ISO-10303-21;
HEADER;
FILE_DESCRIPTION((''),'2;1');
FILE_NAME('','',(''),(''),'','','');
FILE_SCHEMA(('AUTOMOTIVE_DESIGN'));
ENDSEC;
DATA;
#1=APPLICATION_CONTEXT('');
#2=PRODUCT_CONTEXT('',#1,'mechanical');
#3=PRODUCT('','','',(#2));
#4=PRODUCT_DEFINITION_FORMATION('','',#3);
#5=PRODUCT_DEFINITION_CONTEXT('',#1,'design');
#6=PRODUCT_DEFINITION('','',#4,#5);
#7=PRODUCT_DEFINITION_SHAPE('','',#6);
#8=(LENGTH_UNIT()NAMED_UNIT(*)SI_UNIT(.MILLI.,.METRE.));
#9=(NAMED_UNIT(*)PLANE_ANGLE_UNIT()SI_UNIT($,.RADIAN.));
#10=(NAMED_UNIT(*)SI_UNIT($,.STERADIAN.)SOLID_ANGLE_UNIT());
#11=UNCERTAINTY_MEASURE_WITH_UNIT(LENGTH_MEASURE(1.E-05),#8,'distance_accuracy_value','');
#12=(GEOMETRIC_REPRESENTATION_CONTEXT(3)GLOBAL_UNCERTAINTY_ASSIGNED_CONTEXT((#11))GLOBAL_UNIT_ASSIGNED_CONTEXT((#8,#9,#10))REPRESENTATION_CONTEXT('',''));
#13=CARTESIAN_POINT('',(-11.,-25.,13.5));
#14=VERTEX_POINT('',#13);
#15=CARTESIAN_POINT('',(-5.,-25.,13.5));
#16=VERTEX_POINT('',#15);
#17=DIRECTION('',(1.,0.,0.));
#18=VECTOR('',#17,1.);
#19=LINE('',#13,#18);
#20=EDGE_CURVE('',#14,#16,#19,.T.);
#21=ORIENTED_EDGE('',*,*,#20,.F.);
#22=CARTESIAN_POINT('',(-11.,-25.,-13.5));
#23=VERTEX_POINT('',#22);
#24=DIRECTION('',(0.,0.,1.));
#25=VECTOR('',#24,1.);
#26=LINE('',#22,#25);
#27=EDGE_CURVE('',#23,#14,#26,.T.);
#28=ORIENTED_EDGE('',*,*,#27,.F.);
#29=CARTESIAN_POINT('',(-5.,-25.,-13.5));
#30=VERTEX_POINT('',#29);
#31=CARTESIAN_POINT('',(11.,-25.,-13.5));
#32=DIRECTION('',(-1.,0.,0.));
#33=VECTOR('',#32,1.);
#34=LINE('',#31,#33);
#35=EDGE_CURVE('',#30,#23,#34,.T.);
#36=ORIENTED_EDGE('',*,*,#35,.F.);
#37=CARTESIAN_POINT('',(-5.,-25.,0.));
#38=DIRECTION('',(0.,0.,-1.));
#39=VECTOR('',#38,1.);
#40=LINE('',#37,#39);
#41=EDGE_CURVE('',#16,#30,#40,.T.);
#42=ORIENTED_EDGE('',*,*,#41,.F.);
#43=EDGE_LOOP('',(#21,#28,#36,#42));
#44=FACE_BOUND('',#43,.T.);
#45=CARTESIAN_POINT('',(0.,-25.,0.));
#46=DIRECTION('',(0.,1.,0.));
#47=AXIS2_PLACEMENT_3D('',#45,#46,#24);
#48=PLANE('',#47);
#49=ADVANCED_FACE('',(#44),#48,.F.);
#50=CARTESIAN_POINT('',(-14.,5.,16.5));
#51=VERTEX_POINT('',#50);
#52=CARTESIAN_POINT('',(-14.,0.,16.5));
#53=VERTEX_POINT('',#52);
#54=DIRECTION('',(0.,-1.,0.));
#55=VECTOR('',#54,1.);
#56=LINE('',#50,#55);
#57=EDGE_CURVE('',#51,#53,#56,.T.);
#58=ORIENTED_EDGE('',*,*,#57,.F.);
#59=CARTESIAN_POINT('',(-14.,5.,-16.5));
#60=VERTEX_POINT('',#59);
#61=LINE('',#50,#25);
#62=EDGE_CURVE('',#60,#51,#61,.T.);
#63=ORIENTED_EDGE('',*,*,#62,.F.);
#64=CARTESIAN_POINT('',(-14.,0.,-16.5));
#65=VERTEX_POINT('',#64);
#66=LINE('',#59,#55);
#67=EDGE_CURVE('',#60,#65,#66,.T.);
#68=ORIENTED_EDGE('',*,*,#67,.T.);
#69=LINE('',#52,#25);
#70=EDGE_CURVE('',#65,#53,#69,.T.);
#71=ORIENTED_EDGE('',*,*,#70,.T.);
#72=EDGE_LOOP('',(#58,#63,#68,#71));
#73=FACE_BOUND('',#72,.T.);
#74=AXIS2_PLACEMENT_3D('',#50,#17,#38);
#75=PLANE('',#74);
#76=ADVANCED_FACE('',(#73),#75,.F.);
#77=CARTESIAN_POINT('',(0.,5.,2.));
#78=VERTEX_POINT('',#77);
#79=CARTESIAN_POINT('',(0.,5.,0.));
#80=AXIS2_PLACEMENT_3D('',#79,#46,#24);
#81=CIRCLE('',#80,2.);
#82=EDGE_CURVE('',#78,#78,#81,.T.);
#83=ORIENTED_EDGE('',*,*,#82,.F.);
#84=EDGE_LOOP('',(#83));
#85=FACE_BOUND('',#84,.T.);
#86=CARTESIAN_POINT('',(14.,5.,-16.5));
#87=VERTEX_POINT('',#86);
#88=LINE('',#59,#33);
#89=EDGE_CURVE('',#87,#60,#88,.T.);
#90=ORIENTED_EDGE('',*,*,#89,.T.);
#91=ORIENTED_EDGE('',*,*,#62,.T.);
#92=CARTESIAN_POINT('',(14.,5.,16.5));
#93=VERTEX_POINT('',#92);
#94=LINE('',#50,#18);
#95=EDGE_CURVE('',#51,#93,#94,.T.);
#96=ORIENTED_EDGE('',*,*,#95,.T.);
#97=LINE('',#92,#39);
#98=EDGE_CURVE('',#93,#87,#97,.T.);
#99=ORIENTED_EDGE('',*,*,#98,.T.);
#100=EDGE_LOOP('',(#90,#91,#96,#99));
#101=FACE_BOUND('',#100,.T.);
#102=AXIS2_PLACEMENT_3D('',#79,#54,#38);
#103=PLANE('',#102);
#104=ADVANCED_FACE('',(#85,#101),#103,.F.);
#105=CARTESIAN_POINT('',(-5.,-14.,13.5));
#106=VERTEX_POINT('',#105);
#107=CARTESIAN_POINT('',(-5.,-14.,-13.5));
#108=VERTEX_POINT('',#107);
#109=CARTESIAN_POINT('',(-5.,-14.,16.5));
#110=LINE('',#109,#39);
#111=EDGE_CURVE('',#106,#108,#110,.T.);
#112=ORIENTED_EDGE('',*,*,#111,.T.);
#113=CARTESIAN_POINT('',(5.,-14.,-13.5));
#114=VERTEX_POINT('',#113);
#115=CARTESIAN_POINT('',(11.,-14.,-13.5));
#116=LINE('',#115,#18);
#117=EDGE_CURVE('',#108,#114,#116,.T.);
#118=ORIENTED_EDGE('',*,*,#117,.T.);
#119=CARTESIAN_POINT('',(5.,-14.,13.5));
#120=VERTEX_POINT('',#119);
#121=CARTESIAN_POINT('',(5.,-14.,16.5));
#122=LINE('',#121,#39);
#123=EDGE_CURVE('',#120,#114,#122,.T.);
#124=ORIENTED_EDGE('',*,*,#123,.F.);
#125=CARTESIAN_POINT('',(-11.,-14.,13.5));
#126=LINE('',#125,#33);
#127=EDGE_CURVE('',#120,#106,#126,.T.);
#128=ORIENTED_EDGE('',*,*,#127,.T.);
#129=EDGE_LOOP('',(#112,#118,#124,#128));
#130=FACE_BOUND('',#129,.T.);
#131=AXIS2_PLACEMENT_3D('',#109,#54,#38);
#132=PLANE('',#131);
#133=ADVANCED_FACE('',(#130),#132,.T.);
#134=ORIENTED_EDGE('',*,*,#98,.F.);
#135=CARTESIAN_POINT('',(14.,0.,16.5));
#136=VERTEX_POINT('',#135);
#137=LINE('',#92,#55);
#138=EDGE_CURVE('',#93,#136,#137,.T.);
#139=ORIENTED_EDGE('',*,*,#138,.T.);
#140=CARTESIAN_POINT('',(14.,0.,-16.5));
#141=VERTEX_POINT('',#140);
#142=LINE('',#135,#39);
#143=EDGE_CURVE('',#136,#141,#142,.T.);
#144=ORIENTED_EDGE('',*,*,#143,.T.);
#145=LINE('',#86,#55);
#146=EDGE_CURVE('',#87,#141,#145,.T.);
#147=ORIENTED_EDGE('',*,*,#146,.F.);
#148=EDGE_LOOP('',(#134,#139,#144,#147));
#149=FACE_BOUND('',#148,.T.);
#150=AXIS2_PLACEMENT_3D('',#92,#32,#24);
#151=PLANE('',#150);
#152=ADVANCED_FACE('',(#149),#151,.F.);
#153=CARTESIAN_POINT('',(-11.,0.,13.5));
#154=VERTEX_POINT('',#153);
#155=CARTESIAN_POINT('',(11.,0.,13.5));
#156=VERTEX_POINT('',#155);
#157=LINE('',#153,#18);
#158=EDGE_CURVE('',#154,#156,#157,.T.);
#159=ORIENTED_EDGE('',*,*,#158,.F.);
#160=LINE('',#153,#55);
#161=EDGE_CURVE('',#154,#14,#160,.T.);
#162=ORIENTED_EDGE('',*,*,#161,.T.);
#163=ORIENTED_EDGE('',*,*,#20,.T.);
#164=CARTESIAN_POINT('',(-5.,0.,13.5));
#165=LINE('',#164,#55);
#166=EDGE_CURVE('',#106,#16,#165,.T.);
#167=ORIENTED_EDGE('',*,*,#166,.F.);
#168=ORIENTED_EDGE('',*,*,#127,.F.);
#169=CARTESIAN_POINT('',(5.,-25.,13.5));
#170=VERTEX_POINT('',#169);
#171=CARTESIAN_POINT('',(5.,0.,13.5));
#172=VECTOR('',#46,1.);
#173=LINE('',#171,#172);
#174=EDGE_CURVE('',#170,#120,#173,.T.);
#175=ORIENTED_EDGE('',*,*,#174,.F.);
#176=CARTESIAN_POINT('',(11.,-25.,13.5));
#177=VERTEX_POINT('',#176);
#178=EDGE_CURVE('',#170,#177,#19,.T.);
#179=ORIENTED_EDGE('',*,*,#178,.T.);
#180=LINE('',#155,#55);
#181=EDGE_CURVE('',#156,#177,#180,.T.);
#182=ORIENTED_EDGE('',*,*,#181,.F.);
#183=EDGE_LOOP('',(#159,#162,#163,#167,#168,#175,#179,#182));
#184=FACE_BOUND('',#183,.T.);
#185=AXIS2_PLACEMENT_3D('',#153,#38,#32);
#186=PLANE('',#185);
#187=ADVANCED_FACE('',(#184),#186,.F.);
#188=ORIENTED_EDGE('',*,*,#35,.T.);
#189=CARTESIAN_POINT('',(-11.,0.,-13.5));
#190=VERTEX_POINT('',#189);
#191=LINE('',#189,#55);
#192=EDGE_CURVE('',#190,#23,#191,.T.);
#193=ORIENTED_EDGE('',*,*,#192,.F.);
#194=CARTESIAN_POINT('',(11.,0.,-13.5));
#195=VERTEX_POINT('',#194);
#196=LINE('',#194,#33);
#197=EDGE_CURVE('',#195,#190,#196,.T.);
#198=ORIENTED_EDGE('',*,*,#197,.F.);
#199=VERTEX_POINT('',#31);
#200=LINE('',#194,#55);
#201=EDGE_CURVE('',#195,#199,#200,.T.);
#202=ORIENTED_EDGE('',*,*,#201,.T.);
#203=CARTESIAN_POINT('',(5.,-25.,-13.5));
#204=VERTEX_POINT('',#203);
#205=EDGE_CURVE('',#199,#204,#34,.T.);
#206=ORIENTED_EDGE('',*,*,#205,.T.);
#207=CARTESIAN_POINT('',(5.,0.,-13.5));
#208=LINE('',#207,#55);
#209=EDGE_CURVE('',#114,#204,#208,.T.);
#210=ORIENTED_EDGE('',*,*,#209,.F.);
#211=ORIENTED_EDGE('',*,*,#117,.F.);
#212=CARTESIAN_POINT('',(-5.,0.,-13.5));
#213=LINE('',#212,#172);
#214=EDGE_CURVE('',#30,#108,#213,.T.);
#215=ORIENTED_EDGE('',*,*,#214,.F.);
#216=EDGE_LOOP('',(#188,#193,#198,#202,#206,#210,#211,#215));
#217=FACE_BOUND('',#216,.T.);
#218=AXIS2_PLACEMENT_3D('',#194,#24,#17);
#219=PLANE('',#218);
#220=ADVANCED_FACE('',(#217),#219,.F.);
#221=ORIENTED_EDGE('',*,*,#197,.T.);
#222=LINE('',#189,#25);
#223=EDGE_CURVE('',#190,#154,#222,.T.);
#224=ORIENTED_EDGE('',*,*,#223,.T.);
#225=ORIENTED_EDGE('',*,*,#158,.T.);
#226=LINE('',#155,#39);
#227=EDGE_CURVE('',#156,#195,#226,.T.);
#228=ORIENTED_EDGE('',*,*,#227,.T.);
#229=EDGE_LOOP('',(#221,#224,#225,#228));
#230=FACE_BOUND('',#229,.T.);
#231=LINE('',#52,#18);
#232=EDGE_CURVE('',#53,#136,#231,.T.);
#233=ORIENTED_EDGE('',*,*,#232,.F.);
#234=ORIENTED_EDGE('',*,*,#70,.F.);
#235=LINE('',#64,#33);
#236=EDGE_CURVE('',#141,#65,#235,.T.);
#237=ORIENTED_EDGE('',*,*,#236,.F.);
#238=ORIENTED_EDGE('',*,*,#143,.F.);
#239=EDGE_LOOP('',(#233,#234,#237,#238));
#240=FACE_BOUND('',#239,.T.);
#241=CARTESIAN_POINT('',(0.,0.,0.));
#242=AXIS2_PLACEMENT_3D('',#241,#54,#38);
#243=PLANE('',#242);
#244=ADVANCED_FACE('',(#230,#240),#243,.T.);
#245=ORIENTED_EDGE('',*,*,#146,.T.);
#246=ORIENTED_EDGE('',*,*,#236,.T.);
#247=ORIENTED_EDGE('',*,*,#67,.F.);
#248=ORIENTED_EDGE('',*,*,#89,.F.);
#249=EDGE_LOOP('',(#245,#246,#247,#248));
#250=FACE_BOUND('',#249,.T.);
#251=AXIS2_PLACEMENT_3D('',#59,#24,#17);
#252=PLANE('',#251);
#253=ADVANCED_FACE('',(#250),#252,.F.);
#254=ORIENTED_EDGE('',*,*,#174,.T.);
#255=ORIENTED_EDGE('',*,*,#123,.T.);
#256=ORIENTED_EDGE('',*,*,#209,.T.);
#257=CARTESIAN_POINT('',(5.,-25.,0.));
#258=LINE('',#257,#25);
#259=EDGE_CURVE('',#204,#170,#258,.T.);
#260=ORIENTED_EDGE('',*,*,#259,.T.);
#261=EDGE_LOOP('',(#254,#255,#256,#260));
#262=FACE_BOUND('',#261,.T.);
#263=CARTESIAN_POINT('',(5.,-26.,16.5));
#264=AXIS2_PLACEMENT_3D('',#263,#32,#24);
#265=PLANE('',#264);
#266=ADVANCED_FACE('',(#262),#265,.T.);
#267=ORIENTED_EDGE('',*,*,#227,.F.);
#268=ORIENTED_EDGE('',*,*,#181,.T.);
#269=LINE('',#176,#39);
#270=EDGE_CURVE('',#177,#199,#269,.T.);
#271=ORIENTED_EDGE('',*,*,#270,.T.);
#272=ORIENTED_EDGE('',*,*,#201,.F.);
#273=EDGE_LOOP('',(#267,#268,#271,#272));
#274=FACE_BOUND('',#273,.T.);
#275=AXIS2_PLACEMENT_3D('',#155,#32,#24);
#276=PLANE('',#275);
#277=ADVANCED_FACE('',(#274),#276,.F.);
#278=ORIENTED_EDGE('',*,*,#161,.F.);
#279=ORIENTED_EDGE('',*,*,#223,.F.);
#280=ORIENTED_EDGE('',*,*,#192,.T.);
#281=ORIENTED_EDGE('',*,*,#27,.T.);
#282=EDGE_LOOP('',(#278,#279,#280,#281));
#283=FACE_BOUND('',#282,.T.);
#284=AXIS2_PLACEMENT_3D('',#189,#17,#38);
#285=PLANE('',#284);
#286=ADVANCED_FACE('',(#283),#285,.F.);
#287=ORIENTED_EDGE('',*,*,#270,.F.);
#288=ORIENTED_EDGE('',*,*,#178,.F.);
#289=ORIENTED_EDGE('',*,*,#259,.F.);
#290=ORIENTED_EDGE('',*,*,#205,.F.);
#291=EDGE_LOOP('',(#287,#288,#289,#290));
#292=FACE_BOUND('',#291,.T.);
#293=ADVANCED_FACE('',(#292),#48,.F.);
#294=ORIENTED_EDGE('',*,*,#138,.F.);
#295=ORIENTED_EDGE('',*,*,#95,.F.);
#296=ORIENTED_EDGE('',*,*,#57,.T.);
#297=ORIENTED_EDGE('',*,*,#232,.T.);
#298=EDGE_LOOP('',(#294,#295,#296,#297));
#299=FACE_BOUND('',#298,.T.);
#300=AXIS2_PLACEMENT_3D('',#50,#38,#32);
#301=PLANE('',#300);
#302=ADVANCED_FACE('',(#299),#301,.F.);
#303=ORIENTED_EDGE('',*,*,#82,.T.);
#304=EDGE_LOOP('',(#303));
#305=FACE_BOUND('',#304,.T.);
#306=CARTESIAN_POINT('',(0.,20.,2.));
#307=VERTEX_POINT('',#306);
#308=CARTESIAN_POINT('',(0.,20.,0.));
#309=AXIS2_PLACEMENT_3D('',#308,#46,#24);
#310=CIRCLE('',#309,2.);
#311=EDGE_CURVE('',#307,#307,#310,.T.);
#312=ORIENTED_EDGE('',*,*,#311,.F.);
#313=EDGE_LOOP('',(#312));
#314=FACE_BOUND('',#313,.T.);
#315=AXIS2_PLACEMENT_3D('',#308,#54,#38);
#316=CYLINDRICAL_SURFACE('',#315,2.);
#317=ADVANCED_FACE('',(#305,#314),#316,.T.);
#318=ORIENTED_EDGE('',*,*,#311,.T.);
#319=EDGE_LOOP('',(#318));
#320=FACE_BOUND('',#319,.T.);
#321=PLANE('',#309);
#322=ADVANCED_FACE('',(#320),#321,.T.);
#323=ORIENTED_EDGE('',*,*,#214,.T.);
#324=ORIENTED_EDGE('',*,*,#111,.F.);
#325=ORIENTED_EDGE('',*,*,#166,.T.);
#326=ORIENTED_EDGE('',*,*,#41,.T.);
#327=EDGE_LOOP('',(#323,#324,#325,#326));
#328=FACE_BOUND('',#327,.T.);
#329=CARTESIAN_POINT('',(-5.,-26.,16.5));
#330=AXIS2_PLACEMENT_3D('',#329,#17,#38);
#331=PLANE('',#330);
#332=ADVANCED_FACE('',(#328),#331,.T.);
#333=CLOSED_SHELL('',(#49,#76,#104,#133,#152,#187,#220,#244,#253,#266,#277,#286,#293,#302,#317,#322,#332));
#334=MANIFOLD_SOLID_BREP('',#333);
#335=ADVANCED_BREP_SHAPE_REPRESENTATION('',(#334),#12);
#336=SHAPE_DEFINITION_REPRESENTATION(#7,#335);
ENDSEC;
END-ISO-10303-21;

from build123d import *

# Parameters (mm, degrees)
SKETCH1_W               = 28
SKETCH1_H               = 33
FLANGE_DEPTH            = 5
NECK_START              = -14
SKETCH2_W               = 22
SKETCH2_H               = 27
NECK_DEPTH              = 14
PRONGS_START            = -25
SKETCH3_W               = 22
SKETCH3_H               = 27
PRONGS_DEPTH            = 11
SENSING_SLOT_DEPTH      = 34.064331235
SENSING_SLOT_DEPTH_BACK = 34.064331235
SKETCH4_W               = 10
SKETCH4_H               = 12
CABLE_STUB_START        = 5
SKETCH5_R               = 2
CABLE_STUB_DEPTH        = 15


with BuildPart() as part:
    # Sketch1 → Flange (new body)
    with BuildSketch(Plane(origin=(0, 0, 0), x_dir=(1, 0, 0), z_dir=(0, 1, 0))):
        Rectangle(SKETCH1_W, SKETCH1_H)
    extrude(amount=FLANGE_DEPTH)

    # Sketch2 → Neck (add)
    with BuildSketch(Plane(origin=(0, 0, 0), x_dir=(1, 0, 0), z_dir=(0, 1, 0)).offset(NECK_START)):
        Rectangle(SKETCH2_W, SKETCH2_H)
    extrude(amount=NECK_DEPTH)

    # Sketch3 → Prongs (add)
    with BuildSketch(Plane(origin=(0, 0, 0), x_dir=(1, 0, 0), z_dir=(0, 1, 0)).offset(PRONGS_START)):
        Rectangle(SKETCH3_W, SKETCH3_H)
    extrude(amount=PRONGS_DEPTH)

    # Sketch4 → Sensing_Slot (cut, two sides: drawn at the far end of the back side and taken through both)
    with BuildSketch(Plane.XY.offset(-SENSING_SLOT_DEPTH_BACK)):
        with Locations((0, -20)):
            Rectangle(SKETCH4_W, SKETCH4_H)
    extrude(amount=SENSING_SLOT_DEPTH + SENSING_SLOT_DEPTH_BACK, mode=Mode.SUBTRACT)

    # Sketch5 → Cable_Stub (add)
    with BuildSketch(Plane(origin=(0, 0, 0), x_dir=(1, 0, 0), z_dir=(0, 1, 0)).offset(CABLE_STUB_START)):
        with Locations(Location((0, 0, 0), (0, 0, 270))):
            Circle(SKETCH5_R)
    extrude(amount=CABLE_STUB_DEPTH)


solid = part.part
